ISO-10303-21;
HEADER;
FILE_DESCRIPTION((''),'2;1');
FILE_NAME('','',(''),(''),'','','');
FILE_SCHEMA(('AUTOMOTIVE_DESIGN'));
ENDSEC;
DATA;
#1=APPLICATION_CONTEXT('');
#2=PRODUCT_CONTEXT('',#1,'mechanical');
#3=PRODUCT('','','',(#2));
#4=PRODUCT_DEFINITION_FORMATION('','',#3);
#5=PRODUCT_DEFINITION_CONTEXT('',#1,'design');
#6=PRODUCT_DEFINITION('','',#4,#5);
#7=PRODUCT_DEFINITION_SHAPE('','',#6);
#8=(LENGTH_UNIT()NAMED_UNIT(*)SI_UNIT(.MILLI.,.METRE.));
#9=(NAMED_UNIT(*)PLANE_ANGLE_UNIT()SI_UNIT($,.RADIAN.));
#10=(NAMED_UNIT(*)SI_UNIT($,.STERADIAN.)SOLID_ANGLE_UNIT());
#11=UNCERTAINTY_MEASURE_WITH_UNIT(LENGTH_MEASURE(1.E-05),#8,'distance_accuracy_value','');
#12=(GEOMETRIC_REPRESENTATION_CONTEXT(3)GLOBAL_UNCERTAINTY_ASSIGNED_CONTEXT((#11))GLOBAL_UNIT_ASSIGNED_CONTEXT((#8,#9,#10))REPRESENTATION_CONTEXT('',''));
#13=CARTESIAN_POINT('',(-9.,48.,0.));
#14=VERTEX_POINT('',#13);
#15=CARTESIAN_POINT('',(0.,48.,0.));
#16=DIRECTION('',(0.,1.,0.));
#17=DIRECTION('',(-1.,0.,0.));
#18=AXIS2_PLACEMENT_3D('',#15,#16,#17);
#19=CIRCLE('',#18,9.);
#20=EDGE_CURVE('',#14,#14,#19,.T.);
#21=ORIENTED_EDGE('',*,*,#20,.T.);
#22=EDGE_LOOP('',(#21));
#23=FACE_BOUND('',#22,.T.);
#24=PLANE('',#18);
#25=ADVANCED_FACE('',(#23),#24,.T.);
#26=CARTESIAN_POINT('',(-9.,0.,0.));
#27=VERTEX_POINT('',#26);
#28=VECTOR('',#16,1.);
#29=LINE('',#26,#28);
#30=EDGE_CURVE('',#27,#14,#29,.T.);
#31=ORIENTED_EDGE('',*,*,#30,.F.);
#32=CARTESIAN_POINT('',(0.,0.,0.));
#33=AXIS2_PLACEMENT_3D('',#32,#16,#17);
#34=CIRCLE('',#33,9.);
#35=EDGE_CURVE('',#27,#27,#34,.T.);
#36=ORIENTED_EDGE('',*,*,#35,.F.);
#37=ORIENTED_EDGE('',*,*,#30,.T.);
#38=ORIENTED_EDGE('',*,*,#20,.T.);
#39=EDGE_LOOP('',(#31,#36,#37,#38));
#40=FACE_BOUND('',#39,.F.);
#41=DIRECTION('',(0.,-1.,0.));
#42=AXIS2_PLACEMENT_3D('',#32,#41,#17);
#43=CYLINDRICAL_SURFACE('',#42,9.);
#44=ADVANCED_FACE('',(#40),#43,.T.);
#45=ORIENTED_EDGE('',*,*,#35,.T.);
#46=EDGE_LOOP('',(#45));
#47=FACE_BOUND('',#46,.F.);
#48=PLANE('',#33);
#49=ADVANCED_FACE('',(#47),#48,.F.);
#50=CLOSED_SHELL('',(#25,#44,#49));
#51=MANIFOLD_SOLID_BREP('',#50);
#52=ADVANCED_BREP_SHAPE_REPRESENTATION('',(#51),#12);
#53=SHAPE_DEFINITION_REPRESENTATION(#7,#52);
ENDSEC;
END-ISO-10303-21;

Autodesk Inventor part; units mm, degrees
ref_plane "YZ Plane" through (0, 0, 0) normal (1, 0, 0) x (0, 1, 0)
ref_plane "XZ Plane" through (0, 0, 0) normal (0, 1, 0) x (-1, 0, 0)
ref_plane "XY Plane" through (0, 0, 0) normal (0, 0, 1) x (1, 0, 0)
sketch "Sketch1" plane through (0, 0, 0) normal (0, 1, 0) x (-1, 0, 0)
  circle A0 centre (0, 0) radius 9
  dimension "d0" = 18
extrude "Extrusion1" add sketch "Sketch1" along normal blind 48
properties part number "Antenna"
